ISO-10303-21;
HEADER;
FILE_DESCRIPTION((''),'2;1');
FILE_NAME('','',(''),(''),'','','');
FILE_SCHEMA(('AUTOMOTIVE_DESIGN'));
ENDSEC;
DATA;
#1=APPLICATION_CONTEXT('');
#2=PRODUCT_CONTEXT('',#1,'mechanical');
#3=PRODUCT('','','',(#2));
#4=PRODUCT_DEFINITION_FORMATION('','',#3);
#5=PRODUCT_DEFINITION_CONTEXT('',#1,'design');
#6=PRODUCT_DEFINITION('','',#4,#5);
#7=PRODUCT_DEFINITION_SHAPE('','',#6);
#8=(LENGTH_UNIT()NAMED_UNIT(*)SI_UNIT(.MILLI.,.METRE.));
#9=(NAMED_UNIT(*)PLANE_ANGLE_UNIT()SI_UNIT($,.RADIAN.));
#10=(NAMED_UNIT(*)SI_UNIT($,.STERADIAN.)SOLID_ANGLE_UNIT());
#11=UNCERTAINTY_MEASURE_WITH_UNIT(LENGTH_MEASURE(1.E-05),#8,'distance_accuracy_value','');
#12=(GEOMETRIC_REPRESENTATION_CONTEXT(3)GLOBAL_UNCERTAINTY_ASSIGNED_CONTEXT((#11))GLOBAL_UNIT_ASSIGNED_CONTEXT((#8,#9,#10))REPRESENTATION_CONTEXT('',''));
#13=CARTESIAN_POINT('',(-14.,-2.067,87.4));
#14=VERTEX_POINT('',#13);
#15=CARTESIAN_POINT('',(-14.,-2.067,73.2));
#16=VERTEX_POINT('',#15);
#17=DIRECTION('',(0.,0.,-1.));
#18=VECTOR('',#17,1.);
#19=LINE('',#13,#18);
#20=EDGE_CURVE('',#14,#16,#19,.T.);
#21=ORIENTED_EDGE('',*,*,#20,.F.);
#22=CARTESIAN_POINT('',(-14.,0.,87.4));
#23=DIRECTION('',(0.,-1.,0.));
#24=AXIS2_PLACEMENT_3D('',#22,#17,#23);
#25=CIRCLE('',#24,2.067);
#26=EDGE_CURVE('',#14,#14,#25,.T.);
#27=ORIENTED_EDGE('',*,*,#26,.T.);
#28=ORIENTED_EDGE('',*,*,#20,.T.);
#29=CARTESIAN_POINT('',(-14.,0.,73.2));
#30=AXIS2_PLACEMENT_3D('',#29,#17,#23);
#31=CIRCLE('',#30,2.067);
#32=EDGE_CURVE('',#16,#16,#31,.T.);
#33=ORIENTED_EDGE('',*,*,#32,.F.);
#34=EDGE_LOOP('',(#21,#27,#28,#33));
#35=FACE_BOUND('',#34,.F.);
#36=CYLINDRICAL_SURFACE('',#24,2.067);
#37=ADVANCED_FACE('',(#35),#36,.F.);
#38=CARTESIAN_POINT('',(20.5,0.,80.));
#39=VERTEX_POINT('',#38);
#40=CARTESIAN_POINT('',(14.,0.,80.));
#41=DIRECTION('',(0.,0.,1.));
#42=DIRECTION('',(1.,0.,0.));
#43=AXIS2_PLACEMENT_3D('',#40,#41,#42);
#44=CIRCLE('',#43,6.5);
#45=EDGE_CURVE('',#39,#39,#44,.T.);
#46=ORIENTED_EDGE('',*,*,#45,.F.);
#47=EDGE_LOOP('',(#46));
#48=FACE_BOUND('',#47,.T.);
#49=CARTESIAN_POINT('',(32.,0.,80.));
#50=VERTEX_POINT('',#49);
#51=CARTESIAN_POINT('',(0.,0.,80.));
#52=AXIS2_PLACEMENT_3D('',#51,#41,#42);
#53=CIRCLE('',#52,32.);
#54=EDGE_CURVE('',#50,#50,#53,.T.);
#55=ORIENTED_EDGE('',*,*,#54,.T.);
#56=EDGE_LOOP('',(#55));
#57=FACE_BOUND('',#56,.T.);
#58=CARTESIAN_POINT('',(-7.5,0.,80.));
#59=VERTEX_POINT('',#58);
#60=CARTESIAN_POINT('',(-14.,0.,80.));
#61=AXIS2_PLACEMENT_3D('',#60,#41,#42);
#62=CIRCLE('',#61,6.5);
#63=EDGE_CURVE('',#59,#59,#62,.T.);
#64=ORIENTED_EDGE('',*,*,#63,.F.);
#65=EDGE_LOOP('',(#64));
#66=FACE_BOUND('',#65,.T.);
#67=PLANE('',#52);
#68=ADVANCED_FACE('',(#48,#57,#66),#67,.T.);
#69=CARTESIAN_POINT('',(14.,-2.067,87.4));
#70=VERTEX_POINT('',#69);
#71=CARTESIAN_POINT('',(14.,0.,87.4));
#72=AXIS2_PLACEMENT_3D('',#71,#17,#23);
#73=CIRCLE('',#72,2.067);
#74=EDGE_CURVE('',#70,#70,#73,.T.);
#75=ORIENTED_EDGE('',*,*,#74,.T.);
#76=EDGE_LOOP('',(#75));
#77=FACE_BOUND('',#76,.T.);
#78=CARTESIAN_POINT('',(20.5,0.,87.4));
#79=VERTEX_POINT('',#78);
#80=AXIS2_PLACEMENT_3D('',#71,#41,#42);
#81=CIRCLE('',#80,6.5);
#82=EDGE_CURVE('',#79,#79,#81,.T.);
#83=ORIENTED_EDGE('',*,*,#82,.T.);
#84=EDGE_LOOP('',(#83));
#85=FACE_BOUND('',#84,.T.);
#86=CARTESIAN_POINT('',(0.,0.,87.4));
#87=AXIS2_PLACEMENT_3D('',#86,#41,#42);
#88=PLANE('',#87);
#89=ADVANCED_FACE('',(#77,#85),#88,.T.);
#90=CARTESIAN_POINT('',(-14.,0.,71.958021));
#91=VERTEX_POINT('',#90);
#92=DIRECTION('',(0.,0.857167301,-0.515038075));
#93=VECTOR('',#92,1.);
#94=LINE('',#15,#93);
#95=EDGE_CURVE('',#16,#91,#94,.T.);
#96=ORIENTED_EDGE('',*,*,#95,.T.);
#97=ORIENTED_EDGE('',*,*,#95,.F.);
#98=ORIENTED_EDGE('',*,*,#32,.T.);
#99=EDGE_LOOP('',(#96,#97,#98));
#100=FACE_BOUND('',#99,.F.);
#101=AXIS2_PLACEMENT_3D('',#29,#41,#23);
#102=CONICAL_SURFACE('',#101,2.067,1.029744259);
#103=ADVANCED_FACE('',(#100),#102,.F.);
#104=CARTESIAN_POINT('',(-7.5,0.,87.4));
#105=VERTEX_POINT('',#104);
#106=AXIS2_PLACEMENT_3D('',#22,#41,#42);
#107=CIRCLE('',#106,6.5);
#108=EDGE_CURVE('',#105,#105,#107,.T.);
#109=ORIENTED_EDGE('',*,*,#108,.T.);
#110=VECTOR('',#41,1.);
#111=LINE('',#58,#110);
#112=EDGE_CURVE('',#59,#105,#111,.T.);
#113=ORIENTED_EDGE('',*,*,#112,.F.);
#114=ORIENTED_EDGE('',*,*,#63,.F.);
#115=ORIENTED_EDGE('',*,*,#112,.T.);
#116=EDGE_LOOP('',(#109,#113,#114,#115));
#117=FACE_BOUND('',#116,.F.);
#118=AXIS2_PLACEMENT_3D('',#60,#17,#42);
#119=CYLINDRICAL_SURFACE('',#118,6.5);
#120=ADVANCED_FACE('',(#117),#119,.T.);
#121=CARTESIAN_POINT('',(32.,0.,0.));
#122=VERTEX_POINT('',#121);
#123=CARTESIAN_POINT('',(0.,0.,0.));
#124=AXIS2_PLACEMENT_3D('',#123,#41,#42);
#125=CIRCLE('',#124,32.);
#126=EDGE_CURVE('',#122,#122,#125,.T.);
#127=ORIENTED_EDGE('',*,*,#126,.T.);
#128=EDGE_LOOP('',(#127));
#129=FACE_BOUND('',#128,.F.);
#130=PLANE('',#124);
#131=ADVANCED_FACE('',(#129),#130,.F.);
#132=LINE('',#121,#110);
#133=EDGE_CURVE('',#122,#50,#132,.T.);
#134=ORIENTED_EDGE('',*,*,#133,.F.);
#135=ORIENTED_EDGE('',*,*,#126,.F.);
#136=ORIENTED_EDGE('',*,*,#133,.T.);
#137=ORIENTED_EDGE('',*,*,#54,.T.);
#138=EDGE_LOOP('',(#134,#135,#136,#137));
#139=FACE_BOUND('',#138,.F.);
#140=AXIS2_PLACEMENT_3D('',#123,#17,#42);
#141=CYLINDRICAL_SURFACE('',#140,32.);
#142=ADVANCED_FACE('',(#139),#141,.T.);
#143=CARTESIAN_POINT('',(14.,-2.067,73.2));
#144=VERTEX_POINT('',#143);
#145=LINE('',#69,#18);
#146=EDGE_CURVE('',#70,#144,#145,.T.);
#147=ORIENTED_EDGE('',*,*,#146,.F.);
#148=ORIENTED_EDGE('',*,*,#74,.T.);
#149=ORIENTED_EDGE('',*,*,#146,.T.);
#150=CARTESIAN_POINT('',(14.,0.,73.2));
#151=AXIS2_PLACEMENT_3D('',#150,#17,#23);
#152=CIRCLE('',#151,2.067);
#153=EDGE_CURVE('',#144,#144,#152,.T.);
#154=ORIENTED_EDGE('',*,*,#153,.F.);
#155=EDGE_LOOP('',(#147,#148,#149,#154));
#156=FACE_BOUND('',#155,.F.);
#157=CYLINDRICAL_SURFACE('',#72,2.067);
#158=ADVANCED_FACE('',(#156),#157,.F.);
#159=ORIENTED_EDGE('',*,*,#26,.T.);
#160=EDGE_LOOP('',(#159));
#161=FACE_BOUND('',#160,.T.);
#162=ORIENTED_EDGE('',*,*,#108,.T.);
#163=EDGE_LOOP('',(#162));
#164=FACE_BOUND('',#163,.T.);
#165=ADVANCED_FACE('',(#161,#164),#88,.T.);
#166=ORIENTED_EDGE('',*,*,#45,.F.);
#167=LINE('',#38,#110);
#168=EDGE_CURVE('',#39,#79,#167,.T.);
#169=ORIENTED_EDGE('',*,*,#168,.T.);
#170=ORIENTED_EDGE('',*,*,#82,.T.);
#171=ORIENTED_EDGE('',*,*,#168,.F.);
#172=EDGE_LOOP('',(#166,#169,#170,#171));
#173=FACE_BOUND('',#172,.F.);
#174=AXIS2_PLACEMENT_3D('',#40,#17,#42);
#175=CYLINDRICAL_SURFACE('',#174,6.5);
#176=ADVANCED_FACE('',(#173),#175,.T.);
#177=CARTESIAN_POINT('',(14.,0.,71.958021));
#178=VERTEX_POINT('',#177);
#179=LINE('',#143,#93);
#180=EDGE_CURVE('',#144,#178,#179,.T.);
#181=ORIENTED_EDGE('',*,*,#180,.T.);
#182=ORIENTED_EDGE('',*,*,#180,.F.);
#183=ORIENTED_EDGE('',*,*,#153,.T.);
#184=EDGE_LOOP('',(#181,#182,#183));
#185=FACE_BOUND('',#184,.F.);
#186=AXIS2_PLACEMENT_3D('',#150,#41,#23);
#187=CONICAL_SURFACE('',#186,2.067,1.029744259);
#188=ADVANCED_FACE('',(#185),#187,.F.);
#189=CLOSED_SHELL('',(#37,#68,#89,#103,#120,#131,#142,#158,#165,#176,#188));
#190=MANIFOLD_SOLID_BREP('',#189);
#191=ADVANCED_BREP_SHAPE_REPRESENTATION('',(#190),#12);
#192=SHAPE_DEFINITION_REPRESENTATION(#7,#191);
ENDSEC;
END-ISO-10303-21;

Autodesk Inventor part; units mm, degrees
ref_plane "YZ Plane" through (0, 0, 0) normal (1, 0, 0) x (0, 1, 0)
ref_plane "XZ Plane" through (0, 0, 0) normal (0, 1, 0) x (-1, 0, 0)
ref_plane "XY Plane" through (0, 0, 0) normal (0, 0, 1) x (1, 0, 0)
sketch "Sketch1" plane through (0, 0, 0) normal (0, 0, 1) x (1, 0, 0)
  circle A0 centre (0, 0) radius 32
  dimension "d0" = 64
extrude "Extrusion1" add sketch "Sketch1" along normal blind 80
sketch "Sketch2" plane through (0, 0, 80) normal (0, 0, 1) x (1, 0, 0)
  line L0 (-14, 0) -> (14, 0) construction
  circle A0 centre (14, 0) radius 6.5
  circle A1 centre (-14, 0) radius 6.5
  point P0 (0, 0)
  point P1 (0, 0)
  dimension "d3" = 28
  dimension "d4" = 13
  dimension "d5" = 13
extrude "Extrusion2" add sketch "Sketch2" along normal blind 7.4
sketch "Sketch3" plane through (-14, 0, 87.4) normal (0, 0, 1) x (1, 0, 0)
  point P0 (14, 0)
  point P1 (0, 0)
  point P2 (28, 0)
  dimension "d8" = 28
  dimension "d9" = 14
hole "Hole1" at (-14, 0, 87.4) at (14, 0, 87.4) direction (0, 0, -1) diameter 4.134 depth 14.2 tip angle 118 thread size "M5x0.8" class "6H" standard "ISO Metric profile"
properties part number "Capw"
